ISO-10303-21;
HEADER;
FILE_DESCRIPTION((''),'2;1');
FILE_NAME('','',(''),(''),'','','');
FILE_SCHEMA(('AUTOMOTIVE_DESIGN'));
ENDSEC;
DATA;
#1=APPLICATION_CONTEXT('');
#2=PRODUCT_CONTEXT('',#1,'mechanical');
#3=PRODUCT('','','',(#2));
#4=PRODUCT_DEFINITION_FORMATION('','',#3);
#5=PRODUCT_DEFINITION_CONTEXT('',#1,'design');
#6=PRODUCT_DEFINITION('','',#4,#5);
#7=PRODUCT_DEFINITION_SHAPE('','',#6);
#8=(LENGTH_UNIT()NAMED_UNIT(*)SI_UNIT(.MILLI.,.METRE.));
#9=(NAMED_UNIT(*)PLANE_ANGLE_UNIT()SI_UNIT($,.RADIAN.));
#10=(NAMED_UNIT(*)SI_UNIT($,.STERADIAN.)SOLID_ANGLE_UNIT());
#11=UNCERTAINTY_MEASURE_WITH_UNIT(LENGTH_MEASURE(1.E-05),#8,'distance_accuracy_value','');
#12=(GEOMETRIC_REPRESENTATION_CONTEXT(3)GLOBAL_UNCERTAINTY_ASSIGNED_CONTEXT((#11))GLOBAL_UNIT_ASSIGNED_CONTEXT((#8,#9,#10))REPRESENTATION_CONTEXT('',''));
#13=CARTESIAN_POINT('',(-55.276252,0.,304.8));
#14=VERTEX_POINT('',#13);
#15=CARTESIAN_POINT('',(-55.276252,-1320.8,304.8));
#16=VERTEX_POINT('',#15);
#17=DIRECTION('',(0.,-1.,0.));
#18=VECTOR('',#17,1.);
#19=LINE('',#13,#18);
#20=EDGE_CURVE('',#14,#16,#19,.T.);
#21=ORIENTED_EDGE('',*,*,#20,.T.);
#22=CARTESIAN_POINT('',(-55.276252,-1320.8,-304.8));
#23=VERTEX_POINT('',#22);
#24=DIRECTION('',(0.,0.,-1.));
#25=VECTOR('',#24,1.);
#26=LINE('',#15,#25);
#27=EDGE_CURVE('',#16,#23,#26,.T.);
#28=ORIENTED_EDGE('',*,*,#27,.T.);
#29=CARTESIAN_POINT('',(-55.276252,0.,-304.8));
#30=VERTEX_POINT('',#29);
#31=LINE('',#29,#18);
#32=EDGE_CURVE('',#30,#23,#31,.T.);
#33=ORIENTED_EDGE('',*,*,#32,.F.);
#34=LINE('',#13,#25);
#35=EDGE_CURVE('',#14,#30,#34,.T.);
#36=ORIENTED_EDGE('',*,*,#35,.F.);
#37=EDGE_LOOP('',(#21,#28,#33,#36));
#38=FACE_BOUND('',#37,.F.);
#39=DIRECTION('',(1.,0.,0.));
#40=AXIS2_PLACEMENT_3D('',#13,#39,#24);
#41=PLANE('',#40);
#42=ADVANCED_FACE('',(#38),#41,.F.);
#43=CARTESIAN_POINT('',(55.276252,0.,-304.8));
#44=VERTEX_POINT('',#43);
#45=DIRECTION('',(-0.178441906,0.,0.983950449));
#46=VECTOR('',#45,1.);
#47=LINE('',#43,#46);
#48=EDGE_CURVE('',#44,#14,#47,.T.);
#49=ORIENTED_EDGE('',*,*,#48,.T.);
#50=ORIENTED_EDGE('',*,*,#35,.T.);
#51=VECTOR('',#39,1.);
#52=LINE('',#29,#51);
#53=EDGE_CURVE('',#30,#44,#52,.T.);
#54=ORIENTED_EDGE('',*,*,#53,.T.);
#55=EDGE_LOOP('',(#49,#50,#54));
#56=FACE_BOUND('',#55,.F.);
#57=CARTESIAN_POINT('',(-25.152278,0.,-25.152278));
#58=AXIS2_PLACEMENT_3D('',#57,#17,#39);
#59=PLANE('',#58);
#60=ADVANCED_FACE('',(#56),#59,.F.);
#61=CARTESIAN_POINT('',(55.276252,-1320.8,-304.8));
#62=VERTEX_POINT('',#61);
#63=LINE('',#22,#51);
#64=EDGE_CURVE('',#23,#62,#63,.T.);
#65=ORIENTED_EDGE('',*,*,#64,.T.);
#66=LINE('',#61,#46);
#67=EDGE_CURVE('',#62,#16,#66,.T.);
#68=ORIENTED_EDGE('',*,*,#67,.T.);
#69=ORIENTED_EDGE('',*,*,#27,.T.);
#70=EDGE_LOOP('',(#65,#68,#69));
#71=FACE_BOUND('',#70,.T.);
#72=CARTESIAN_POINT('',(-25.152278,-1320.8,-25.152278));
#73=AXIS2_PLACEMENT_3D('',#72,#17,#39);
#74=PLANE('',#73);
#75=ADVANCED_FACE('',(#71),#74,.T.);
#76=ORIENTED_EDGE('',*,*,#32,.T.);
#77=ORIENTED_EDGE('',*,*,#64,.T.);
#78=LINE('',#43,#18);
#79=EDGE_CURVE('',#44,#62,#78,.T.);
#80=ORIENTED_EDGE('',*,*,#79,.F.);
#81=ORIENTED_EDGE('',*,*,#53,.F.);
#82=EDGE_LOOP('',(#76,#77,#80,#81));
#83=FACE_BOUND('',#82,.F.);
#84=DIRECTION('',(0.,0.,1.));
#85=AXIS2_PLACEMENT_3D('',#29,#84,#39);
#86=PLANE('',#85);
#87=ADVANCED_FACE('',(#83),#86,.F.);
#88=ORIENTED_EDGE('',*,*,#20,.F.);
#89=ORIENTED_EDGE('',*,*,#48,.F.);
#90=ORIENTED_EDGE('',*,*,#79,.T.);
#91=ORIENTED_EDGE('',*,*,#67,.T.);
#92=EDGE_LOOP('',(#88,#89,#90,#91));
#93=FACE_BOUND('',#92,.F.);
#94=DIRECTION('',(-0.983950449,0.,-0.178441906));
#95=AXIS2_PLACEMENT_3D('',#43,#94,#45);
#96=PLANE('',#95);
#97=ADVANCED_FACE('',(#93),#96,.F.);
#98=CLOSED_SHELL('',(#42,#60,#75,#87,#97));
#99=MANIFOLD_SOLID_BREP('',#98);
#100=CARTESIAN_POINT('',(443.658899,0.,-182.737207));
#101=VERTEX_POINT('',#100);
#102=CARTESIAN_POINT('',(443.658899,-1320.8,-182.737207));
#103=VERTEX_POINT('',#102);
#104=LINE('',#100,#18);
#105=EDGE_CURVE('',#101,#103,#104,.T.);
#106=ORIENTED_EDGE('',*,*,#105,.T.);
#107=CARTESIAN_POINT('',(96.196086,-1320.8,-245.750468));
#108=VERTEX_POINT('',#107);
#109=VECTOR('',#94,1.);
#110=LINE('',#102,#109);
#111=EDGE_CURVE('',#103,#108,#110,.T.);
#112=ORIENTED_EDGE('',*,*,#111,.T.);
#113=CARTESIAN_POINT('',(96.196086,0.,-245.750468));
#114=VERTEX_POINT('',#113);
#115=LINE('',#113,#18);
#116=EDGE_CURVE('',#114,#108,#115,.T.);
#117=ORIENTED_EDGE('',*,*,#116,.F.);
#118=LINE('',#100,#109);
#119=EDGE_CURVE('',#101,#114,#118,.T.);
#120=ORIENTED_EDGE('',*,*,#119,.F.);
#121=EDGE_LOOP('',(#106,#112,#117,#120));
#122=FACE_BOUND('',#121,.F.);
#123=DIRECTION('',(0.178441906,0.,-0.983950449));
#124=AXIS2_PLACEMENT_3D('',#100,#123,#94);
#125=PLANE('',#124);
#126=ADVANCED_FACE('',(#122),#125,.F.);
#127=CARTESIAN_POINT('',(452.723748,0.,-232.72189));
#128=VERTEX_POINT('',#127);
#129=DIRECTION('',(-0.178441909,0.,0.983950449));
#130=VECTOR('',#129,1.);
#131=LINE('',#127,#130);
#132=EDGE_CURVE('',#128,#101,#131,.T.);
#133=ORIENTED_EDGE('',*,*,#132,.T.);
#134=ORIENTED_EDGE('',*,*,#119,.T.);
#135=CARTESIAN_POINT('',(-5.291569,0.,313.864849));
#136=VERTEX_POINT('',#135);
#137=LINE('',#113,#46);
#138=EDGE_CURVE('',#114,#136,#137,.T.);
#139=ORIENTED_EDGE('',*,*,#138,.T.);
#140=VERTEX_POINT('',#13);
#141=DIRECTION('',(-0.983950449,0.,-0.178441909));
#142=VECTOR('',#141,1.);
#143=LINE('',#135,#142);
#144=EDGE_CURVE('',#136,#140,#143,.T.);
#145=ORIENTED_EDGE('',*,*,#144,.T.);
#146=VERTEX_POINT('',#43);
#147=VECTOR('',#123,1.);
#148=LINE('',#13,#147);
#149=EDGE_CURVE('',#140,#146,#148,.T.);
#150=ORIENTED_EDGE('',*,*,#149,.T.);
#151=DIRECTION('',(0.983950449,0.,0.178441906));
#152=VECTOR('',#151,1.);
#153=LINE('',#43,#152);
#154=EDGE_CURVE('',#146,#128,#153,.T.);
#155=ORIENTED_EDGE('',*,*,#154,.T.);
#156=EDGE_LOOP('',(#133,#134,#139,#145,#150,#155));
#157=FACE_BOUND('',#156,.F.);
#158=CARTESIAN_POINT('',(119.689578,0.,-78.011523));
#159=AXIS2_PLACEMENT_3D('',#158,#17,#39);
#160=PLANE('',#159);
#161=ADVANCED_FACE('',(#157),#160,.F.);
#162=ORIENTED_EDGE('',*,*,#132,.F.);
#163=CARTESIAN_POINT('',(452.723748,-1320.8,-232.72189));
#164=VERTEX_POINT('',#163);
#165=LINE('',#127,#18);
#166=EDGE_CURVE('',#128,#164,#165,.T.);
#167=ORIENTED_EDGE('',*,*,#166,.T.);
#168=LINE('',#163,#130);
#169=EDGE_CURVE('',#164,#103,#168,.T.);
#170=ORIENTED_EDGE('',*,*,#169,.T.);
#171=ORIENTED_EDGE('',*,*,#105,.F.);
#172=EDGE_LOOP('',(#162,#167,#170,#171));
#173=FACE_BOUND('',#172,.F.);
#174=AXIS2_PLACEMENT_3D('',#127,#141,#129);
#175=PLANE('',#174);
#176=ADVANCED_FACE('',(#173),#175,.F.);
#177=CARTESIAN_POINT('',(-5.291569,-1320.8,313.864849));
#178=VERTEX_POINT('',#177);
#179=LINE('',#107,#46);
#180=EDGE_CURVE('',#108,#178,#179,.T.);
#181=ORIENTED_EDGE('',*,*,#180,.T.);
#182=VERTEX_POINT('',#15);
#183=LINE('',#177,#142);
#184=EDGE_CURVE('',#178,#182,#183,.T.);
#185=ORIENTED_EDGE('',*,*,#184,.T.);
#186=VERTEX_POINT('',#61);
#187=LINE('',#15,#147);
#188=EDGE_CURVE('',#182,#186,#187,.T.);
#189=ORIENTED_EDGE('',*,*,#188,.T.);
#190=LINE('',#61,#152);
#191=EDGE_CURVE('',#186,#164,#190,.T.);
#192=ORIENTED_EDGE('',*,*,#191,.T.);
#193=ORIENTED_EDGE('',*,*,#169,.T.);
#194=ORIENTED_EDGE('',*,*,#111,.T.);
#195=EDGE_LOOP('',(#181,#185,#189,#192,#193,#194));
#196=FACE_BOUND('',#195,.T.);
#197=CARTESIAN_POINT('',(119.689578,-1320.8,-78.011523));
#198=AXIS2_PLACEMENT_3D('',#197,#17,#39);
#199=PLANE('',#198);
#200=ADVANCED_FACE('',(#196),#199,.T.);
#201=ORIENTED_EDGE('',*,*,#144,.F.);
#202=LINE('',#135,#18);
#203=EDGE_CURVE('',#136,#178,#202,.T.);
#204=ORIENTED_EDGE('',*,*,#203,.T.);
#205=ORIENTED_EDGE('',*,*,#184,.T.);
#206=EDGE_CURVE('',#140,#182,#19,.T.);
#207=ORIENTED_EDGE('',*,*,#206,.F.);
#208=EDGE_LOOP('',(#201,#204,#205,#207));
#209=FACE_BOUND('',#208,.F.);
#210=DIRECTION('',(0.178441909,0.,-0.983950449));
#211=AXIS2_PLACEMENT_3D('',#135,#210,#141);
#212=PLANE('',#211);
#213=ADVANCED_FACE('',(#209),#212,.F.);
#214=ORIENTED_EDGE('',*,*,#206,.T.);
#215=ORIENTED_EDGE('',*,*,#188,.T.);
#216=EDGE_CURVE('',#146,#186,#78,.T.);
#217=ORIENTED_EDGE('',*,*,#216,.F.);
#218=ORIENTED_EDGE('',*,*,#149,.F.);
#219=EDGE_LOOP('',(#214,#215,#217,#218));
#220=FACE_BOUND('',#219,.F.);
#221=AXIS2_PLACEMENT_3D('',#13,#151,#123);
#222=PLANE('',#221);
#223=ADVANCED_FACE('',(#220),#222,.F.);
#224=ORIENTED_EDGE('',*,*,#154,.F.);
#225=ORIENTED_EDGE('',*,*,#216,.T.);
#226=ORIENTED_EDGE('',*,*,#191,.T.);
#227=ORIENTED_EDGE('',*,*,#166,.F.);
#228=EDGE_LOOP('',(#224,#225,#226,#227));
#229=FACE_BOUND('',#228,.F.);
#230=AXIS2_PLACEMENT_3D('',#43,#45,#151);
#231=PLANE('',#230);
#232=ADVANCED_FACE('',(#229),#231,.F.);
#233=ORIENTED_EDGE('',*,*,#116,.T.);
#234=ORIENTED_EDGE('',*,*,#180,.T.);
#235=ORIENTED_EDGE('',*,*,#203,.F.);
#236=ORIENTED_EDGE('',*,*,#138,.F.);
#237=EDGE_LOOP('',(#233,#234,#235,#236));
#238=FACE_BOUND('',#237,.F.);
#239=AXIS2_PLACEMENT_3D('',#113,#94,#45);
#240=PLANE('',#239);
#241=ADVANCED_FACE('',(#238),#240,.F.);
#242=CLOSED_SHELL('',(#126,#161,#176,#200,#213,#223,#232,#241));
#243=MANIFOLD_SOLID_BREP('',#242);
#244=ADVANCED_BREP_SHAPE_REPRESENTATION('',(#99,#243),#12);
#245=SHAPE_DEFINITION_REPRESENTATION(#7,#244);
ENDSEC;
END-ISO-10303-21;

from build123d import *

# Parameters (mm, degrees)
F1_DEPTH = 1320.8
F2_DEPTH = 1320.8


with BuildPart() as f1:
    # F0 (on Front) → F1 (new body)
    with BuildSketch(Plane.XZ):
        Polygon((-5.291569, 313.864849), (-55.276252, 304.8), (55.276252, -304.8), (452.723748, -232.72189), (443.658899, -182.737207), (96.196086, -245.750468), align=None)
    extrude(amount=F1_DEPTH)


with BuildPart() as f2:
    # F0 (on Front) → F2 (new body)
    with BuildSketch(Plane.XZ):
        Polygon((55.276252, -304.8), (-55.276252, 304.8), (-55.276252, -304.8), align=None)
    extrude(amount=F2_DEPTH)


solid = Compound([f1.part, f2.part])
